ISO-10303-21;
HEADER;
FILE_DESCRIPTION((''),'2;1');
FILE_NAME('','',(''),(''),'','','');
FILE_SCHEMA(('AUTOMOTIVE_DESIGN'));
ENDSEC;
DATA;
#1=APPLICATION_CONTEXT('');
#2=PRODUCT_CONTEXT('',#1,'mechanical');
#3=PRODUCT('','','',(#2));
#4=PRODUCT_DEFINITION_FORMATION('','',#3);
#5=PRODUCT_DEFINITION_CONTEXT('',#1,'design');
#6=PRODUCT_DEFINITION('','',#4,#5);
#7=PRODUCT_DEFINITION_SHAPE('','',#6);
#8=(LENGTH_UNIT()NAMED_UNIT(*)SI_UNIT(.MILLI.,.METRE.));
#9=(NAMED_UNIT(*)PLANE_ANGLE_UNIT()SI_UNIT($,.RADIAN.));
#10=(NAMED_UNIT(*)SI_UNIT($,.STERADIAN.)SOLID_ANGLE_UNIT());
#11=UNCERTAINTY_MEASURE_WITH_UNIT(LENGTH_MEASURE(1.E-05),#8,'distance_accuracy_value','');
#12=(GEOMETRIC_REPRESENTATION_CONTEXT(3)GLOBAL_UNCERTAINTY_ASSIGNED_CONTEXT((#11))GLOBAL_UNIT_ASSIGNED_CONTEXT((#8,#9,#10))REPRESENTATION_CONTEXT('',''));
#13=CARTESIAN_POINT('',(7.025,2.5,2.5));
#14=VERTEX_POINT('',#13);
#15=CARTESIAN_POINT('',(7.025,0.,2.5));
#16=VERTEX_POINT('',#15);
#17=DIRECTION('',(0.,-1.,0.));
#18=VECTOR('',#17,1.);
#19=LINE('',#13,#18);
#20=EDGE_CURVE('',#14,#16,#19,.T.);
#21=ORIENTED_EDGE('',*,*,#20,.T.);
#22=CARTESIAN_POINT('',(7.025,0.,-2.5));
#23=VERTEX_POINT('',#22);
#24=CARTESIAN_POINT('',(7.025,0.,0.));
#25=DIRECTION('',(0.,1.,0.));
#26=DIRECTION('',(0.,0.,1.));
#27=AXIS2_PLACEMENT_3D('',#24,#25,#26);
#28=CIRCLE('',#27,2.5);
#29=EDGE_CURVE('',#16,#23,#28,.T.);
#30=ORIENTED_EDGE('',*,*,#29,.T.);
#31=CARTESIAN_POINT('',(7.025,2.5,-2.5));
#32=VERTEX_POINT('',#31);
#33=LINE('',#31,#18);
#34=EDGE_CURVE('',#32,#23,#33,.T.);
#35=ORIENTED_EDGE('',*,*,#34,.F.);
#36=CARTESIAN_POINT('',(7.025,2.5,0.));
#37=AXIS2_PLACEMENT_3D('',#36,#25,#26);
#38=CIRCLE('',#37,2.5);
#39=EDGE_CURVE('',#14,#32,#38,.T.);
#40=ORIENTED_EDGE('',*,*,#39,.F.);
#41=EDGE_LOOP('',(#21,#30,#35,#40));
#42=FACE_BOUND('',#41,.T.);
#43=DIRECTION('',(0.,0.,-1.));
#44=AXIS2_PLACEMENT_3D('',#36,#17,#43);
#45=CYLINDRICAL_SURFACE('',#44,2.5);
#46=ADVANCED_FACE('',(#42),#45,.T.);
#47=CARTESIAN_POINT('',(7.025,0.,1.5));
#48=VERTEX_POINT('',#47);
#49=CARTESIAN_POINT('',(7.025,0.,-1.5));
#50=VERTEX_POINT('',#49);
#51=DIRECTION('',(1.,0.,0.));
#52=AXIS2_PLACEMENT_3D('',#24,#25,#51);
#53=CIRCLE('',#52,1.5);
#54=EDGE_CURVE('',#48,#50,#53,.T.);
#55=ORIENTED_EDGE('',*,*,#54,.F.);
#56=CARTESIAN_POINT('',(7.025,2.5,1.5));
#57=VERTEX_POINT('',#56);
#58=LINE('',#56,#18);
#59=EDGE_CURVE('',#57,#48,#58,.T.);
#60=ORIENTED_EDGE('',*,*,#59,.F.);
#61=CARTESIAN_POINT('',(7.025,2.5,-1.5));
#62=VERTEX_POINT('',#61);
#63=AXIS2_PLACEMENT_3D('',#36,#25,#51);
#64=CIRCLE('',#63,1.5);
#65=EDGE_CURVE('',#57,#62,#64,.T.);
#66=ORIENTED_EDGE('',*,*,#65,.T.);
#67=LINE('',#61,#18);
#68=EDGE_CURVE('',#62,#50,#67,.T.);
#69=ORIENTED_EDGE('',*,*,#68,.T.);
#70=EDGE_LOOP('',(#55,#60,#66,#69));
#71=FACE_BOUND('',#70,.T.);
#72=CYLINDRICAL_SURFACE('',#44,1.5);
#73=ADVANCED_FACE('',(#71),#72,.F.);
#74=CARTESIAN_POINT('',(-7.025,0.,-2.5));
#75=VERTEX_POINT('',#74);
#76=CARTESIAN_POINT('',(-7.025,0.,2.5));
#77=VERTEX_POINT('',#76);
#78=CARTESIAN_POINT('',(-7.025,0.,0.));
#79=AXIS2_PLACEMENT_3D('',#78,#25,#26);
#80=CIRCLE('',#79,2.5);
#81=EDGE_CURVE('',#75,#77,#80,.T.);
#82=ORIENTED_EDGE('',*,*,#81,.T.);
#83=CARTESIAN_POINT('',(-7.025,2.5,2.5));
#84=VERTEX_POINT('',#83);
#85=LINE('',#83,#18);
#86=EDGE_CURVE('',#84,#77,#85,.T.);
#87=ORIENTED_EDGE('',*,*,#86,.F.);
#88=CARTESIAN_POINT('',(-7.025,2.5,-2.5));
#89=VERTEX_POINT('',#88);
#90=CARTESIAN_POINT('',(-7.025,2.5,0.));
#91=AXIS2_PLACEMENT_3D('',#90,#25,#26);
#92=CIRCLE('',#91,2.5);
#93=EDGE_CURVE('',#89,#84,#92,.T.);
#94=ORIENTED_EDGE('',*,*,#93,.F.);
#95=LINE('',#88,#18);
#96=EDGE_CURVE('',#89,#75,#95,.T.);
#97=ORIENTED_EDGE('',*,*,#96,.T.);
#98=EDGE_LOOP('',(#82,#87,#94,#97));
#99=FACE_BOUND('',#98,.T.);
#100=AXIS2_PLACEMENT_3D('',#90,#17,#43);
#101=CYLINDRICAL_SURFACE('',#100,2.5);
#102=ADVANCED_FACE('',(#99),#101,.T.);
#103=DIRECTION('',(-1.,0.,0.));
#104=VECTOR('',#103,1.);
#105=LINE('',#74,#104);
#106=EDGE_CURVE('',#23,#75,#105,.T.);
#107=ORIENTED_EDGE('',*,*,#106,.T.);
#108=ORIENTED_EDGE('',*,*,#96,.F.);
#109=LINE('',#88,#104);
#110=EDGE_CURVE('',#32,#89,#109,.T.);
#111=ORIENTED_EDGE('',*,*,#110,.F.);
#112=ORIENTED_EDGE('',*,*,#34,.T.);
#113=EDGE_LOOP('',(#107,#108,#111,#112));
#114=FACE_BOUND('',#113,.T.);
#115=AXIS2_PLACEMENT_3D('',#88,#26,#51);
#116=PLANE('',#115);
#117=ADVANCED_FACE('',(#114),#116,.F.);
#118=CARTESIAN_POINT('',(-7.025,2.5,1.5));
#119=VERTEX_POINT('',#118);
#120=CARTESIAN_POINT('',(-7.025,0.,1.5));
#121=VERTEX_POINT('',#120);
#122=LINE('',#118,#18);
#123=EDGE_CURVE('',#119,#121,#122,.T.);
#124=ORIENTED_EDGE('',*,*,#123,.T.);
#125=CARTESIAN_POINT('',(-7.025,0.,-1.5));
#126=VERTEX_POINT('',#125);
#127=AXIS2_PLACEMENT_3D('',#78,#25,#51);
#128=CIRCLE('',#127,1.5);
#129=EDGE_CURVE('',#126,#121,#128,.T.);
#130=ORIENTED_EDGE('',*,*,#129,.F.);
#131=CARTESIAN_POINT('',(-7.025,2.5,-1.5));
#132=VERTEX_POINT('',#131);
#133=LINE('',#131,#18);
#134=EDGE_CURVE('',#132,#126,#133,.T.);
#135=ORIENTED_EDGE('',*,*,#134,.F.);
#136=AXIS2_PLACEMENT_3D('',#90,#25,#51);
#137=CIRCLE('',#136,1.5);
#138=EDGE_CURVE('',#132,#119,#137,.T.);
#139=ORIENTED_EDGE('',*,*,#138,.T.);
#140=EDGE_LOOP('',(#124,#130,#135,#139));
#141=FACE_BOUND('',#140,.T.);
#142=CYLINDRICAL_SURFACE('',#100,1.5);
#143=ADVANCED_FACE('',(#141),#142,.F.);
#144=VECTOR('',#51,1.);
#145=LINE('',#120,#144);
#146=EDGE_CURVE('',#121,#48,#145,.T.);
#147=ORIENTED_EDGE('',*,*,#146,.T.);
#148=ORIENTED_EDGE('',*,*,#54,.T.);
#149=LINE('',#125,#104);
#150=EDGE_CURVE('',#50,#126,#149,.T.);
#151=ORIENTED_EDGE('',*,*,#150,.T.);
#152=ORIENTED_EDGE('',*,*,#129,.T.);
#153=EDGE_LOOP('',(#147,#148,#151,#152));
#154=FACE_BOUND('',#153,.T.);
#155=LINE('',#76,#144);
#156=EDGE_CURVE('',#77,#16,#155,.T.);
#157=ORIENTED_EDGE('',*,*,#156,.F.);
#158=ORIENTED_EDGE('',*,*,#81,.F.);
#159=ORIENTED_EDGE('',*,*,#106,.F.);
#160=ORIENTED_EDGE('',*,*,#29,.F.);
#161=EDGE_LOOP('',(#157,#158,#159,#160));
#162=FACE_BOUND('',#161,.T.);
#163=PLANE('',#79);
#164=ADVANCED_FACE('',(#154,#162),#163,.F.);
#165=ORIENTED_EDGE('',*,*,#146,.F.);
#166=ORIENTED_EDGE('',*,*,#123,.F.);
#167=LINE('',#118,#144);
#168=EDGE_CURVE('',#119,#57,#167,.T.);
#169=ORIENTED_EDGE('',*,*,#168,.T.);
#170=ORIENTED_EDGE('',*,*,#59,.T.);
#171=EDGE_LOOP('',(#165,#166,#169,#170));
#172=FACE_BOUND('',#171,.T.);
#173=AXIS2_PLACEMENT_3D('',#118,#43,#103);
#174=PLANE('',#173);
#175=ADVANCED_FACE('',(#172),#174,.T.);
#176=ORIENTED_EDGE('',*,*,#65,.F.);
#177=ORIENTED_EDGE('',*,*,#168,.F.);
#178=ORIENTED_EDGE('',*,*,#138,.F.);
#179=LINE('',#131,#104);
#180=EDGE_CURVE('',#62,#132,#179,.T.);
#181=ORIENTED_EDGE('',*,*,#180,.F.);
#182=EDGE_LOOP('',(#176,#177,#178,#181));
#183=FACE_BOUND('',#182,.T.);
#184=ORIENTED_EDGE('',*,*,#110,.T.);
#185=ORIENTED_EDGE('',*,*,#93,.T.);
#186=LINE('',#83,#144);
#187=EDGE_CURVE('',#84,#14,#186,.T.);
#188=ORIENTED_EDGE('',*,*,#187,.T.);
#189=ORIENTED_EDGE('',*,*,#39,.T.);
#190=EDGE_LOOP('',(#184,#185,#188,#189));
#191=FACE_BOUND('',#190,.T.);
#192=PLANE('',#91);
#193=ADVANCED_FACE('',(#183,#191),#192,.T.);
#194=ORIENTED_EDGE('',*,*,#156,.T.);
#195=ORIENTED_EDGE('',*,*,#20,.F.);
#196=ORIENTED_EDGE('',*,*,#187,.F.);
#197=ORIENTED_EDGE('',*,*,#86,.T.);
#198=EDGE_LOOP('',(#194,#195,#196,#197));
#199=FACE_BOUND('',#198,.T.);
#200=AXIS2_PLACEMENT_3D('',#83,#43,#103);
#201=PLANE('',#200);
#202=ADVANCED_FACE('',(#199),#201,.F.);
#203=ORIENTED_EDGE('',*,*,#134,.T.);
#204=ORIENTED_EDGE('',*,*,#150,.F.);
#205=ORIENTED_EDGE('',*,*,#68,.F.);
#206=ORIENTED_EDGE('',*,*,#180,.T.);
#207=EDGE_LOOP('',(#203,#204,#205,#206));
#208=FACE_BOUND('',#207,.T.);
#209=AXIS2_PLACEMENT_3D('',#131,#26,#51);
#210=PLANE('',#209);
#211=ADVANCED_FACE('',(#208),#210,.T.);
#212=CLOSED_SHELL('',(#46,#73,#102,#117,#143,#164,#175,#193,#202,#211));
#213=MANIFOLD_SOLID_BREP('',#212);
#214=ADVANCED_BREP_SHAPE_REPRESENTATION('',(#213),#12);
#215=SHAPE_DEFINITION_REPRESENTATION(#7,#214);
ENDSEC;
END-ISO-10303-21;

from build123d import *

# Parameters (mm, degrees)
EXTRUDE_THIN1_DEPTH = 2.5


with BuildPart() as part:
    # Sketch1 → Extrude-Thin1 (new body)
    with BuildSketch(Plane(origin=(0, 0, 0), x_dir=(1, 0, 0), z_dir=(0, 1, 0))):
        with BuildLine():
            Line((7.025, -2.5), (-7.025, -2.5))
            ThreePointArc((-7.025, -2.5), (-9.525, 0), (-7.025, 2.5))
            Line((-7.025, 2.5), (7.025, 2.5))
            ThreePointArc((7.025, 2.5), (9.525, 0), (7.025, -2.5))
        make_face()
        with BuildLine():
            Line((7.025, -1.5), (-7.025, -1.5))
            ThreePointArc((-7.025, -1.5), (-8.525, 0), (-7.025, 1.5))
            Line((-7.025, 1.5), (7.025, 1.5))
            ThreePointArc((7.025, 1.5), (8.525, 0), (7.025, -1.5))
        make_face(mode=Mode.SUBTRACT)
    extrude(amount=EXTRUDE_THIN1_DEPTH)


solid = part.part
